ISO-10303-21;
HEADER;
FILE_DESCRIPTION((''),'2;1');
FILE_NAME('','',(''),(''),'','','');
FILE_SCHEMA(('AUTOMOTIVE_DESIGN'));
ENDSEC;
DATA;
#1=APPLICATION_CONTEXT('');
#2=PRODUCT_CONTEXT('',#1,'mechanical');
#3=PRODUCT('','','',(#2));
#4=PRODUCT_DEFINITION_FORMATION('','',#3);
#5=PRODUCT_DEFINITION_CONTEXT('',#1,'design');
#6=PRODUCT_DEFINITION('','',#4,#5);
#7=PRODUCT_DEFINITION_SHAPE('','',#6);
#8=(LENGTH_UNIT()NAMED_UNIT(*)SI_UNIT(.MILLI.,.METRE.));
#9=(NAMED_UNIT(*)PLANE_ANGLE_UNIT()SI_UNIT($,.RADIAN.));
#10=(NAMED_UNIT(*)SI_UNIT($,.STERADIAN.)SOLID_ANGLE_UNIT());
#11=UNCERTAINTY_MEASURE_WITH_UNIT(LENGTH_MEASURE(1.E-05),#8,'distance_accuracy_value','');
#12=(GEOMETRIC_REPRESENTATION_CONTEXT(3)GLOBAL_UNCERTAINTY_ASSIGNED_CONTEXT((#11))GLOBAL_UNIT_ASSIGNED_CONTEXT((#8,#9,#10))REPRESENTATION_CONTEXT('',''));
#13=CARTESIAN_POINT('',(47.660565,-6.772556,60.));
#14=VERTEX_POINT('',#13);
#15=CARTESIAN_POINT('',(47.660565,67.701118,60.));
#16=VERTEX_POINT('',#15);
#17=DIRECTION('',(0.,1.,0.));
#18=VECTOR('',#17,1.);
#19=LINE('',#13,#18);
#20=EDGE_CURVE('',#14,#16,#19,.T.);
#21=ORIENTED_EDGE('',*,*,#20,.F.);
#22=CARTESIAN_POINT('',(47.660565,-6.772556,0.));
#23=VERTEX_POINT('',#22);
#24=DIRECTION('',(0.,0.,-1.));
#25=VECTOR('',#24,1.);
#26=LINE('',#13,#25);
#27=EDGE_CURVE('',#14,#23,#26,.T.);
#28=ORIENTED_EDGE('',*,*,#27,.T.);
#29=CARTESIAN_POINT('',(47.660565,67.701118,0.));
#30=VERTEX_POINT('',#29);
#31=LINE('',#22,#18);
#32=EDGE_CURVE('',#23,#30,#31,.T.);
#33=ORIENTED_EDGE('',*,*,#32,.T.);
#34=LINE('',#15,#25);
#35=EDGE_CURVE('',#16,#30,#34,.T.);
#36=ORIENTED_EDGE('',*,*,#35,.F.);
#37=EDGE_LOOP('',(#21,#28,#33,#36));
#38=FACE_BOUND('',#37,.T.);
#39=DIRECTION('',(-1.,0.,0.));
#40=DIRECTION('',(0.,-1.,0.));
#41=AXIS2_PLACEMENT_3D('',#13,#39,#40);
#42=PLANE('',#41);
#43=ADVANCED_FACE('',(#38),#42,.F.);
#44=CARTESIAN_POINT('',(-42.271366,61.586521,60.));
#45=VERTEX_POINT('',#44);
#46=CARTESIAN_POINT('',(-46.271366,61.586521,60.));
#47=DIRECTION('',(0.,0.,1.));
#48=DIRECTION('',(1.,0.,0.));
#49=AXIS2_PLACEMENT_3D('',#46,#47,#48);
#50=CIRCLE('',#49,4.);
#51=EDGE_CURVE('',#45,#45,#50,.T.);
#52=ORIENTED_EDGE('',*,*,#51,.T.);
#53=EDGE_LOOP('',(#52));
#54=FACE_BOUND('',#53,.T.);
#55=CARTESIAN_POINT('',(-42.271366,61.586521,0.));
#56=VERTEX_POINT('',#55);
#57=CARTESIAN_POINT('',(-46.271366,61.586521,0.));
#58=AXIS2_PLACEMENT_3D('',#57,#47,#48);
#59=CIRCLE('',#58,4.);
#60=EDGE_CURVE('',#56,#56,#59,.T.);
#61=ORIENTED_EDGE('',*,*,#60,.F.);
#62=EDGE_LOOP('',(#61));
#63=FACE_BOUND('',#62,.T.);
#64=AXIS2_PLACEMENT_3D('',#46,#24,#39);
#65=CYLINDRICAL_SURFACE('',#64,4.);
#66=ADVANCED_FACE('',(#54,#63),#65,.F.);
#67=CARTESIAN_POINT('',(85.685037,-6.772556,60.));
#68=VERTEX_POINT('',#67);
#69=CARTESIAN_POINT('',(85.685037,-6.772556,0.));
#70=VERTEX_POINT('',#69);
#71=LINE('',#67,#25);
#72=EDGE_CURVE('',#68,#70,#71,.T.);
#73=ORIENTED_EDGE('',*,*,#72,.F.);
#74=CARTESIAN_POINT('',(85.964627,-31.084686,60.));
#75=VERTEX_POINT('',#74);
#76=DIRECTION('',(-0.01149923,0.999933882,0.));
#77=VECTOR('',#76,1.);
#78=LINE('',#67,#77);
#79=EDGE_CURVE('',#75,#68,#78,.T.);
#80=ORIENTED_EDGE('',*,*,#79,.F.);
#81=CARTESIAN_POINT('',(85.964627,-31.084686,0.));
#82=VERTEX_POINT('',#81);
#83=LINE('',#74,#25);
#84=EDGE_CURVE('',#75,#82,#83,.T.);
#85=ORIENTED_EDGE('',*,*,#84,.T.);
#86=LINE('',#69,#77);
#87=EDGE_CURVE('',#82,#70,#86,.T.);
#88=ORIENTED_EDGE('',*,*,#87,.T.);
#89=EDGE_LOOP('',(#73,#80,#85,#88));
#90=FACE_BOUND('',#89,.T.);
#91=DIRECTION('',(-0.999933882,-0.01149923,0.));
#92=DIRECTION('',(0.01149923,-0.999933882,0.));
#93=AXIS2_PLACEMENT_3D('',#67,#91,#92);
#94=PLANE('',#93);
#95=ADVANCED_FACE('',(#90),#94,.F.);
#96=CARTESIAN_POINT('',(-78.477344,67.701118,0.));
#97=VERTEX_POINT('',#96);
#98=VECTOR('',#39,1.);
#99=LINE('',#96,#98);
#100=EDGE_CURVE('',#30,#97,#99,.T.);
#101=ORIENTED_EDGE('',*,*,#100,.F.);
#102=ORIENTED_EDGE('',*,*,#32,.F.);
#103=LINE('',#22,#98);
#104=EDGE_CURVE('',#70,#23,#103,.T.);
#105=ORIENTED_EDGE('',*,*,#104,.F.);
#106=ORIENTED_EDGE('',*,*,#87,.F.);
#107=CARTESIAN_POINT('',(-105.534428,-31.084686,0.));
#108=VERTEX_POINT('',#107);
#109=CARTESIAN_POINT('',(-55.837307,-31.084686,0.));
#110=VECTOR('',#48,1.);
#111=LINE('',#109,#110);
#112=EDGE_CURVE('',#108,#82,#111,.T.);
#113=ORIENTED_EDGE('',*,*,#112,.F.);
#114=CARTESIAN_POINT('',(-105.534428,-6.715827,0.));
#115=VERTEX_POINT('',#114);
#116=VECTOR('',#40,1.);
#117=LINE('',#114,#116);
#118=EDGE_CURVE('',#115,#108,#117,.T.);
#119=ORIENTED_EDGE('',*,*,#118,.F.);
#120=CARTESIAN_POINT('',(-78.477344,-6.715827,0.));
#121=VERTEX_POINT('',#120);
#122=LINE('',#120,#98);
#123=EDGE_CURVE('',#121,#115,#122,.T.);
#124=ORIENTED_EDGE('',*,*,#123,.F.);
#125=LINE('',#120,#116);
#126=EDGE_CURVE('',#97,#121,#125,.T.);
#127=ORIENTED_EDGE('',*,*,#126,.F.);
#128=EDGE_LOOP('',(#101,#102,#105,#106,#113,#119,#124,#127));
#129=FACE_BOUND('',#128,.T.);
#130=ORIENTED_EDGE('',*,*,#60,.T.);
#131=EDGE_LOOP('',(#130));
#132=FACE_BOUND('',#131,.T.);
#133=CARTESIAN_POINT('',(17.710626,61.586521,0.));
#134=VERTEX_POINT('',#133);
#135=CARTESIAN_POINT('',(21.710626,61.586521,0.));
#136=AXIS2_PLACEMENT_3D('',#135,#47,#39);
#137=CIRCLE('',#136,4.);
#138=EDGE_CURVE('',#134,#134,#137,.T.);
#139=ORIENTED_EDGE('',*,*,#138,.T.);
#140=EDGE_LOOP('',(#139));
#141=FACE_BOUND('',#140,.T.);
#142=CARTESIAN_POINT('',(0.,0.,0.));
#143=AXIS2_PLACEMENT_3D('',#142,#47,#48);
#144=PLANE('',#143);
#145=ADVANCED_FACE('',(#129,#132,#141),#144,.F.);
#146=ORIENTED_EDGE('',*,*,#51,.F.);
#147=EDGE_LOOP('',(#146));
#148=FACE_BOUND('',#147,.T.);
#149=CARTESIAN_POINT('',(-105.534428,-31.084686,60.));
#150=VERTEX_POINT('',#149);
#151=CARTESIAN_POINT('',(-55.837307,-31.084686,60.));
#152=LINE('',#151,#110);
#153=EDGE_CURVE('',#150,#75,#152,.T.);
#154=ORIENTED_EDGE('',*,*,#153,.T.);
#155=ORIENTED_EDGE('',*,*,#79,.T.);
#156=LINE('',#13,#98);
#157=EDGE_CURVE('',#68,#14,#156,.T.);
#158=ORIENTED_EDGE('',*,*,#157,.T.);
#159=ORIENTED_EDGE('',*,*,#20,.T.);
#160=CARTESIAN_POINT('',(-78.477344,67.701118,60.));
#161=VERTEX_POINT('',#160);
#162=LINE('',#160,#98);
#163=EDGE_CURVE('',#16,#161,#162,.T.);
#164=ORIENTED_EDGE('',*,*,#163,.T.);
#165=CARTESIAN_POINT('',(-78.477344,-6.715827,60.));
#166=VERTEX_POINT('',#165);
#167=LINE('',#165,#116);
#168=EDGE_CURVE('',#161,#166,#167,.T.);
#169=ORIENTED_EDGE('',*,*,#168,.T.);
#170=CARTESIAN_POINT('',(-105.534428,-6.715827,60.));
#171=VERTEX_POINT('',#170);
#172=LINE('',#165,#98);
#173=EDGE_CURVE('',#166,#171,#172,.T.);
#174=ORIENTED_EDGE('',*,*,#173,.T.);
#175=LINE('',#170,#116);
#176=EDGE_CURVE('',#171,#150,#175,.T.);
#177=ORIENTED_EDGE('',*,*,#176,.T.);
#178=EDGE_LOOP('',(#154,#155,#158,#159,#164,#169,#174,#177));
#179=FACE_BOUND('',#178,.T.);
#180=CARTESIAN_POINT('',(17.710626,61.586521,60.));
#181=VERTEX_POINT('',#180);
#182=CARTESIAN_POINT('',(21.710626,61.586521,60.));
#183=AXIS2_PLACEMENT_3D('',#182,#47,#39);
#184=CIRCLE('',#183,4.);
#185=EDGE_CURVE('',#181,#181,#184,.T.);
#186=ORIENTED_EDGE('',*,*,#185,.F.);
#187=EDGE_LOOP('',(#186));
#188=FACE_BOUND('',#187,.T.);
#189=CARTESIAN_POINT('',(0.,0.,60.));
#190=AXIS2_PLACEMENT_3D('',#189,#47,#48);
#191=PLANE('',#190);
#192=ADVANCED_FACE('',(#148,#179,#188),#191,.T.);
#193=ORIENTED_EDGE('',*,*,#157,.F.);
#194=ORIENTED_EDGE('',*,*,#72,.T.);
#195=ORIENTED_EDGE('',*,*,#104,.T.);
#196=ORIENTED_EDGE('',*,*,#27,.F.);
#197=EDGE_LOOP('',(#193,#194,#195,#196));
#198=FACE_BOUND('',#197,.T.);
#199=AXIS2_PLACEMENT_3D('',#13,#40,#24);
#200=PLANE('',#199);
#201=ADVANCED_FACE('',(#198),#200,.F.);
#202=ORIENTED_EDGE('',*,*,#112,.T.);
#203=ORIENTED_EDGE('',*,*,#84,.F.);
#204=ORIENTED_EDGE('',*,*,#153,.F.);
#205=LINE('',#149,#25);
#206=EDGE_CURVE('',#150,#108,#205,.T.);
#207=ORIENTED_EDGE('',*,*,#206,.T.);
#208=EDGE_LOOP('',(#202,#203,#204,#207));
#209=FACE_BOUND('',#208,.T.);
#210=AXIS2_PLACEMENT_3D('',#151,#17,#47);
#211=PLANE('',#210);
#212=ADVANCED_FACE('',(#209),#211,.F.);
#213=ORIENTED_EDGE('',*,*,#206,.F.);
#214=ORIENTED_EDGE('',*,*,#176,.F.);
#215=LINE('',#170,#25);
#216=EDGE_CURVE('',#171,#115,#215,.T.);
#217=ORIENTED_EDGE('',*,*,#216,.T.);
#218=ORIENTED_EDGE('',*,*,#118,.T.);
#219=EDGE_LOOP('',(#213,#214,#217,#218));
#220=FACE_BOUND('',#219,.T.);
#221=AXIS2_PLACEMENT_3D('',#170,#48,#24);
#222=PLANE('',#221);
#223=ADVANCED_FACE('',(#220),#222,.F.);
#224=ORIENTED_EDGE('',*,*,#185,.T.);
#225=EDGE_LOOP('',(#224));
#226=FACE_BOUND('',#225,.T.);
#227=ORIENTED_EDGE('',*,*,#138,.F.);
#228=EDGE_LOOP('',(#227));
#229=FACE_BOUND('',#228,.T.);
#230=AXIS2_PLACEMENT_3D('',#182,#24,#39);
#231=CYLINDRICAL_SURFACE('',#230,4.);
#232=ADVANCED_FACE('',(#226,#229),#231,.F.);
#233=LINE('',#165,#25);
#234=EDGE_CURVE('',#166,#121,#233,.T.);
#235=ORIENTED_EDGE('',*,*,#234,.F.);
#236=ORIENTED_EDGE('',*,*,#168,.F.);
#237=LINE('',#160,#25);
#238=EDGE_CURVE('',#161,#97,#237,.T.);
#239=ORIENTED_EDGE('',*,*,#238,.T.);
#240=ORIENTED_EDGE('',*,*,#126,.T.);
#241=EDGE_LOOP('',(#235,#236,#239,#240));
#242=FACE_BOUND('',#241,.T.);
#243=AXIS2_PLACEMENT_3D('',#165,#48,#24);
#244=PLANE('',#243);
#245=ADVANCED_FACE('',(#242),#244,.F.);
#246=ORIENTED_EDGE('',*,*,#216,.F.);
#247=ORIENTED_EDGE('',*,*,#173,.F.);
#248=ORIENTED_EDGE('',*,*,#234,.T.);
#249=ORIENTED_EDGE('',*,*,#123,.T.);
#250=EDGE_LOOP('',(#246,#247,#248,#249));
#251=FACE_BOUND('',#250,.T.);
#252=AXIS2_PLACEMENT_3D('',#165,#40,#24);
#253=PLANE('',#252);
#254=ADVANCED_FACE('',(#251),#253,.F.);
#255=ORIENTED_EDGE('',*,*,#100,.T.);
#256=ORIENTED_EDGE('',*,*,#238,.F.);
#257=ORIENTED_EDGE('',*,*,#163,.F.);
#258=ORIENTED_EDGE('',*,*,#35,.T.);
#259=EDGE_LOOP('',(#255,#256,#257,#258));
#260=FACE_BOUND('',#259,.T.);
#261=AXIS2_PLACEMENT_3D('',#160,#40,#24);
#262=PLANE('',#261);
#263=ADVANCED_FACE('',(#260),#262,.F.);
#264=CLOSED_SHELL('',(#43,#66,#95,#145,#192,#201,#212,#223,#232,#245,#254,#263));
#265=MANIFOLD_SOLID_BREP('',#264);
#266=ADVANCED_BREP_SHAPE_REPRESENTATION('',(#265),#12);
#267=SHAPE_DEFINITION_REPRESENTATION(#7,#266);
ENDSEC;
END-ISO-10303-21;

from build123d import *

# Parameters (mm, degrees)
SKETCH1_R           = 4
BOSS_EXTRUDE1_DEPTH = 60


with BuildPart() as part:
    # Sketch1 → Boss-Extrude1 (new body)
    with BuildSketch(Plane.XY):
        Polygon((-78.477343622, -6.715827259), (-105.53442836, -6.715827259), (-105.53442836, -31.084686171), (-55.837306641, -31.084686171), (31.27656695, -31.084686171), (85.964626644, -31.084686171), (85.685037395, -6.772556192), (47.660564626, -6.772556192), (47.660564626, 67.701117608), (-78.477343622, 67.701117608), align=None)
        with Locations((-46.271365908, 61.586520729)):
            Circle(SKETCH1_R, mode=Mode.SUBTRACT)
        with Locations((21.710626217, 61.586520729)):
            Circle(SKETCH1_R, mode=Mode.SUBTRACT)
    extrude(amount=BOSS_EXTRUDE1_DEPTH)


solid = part.part
